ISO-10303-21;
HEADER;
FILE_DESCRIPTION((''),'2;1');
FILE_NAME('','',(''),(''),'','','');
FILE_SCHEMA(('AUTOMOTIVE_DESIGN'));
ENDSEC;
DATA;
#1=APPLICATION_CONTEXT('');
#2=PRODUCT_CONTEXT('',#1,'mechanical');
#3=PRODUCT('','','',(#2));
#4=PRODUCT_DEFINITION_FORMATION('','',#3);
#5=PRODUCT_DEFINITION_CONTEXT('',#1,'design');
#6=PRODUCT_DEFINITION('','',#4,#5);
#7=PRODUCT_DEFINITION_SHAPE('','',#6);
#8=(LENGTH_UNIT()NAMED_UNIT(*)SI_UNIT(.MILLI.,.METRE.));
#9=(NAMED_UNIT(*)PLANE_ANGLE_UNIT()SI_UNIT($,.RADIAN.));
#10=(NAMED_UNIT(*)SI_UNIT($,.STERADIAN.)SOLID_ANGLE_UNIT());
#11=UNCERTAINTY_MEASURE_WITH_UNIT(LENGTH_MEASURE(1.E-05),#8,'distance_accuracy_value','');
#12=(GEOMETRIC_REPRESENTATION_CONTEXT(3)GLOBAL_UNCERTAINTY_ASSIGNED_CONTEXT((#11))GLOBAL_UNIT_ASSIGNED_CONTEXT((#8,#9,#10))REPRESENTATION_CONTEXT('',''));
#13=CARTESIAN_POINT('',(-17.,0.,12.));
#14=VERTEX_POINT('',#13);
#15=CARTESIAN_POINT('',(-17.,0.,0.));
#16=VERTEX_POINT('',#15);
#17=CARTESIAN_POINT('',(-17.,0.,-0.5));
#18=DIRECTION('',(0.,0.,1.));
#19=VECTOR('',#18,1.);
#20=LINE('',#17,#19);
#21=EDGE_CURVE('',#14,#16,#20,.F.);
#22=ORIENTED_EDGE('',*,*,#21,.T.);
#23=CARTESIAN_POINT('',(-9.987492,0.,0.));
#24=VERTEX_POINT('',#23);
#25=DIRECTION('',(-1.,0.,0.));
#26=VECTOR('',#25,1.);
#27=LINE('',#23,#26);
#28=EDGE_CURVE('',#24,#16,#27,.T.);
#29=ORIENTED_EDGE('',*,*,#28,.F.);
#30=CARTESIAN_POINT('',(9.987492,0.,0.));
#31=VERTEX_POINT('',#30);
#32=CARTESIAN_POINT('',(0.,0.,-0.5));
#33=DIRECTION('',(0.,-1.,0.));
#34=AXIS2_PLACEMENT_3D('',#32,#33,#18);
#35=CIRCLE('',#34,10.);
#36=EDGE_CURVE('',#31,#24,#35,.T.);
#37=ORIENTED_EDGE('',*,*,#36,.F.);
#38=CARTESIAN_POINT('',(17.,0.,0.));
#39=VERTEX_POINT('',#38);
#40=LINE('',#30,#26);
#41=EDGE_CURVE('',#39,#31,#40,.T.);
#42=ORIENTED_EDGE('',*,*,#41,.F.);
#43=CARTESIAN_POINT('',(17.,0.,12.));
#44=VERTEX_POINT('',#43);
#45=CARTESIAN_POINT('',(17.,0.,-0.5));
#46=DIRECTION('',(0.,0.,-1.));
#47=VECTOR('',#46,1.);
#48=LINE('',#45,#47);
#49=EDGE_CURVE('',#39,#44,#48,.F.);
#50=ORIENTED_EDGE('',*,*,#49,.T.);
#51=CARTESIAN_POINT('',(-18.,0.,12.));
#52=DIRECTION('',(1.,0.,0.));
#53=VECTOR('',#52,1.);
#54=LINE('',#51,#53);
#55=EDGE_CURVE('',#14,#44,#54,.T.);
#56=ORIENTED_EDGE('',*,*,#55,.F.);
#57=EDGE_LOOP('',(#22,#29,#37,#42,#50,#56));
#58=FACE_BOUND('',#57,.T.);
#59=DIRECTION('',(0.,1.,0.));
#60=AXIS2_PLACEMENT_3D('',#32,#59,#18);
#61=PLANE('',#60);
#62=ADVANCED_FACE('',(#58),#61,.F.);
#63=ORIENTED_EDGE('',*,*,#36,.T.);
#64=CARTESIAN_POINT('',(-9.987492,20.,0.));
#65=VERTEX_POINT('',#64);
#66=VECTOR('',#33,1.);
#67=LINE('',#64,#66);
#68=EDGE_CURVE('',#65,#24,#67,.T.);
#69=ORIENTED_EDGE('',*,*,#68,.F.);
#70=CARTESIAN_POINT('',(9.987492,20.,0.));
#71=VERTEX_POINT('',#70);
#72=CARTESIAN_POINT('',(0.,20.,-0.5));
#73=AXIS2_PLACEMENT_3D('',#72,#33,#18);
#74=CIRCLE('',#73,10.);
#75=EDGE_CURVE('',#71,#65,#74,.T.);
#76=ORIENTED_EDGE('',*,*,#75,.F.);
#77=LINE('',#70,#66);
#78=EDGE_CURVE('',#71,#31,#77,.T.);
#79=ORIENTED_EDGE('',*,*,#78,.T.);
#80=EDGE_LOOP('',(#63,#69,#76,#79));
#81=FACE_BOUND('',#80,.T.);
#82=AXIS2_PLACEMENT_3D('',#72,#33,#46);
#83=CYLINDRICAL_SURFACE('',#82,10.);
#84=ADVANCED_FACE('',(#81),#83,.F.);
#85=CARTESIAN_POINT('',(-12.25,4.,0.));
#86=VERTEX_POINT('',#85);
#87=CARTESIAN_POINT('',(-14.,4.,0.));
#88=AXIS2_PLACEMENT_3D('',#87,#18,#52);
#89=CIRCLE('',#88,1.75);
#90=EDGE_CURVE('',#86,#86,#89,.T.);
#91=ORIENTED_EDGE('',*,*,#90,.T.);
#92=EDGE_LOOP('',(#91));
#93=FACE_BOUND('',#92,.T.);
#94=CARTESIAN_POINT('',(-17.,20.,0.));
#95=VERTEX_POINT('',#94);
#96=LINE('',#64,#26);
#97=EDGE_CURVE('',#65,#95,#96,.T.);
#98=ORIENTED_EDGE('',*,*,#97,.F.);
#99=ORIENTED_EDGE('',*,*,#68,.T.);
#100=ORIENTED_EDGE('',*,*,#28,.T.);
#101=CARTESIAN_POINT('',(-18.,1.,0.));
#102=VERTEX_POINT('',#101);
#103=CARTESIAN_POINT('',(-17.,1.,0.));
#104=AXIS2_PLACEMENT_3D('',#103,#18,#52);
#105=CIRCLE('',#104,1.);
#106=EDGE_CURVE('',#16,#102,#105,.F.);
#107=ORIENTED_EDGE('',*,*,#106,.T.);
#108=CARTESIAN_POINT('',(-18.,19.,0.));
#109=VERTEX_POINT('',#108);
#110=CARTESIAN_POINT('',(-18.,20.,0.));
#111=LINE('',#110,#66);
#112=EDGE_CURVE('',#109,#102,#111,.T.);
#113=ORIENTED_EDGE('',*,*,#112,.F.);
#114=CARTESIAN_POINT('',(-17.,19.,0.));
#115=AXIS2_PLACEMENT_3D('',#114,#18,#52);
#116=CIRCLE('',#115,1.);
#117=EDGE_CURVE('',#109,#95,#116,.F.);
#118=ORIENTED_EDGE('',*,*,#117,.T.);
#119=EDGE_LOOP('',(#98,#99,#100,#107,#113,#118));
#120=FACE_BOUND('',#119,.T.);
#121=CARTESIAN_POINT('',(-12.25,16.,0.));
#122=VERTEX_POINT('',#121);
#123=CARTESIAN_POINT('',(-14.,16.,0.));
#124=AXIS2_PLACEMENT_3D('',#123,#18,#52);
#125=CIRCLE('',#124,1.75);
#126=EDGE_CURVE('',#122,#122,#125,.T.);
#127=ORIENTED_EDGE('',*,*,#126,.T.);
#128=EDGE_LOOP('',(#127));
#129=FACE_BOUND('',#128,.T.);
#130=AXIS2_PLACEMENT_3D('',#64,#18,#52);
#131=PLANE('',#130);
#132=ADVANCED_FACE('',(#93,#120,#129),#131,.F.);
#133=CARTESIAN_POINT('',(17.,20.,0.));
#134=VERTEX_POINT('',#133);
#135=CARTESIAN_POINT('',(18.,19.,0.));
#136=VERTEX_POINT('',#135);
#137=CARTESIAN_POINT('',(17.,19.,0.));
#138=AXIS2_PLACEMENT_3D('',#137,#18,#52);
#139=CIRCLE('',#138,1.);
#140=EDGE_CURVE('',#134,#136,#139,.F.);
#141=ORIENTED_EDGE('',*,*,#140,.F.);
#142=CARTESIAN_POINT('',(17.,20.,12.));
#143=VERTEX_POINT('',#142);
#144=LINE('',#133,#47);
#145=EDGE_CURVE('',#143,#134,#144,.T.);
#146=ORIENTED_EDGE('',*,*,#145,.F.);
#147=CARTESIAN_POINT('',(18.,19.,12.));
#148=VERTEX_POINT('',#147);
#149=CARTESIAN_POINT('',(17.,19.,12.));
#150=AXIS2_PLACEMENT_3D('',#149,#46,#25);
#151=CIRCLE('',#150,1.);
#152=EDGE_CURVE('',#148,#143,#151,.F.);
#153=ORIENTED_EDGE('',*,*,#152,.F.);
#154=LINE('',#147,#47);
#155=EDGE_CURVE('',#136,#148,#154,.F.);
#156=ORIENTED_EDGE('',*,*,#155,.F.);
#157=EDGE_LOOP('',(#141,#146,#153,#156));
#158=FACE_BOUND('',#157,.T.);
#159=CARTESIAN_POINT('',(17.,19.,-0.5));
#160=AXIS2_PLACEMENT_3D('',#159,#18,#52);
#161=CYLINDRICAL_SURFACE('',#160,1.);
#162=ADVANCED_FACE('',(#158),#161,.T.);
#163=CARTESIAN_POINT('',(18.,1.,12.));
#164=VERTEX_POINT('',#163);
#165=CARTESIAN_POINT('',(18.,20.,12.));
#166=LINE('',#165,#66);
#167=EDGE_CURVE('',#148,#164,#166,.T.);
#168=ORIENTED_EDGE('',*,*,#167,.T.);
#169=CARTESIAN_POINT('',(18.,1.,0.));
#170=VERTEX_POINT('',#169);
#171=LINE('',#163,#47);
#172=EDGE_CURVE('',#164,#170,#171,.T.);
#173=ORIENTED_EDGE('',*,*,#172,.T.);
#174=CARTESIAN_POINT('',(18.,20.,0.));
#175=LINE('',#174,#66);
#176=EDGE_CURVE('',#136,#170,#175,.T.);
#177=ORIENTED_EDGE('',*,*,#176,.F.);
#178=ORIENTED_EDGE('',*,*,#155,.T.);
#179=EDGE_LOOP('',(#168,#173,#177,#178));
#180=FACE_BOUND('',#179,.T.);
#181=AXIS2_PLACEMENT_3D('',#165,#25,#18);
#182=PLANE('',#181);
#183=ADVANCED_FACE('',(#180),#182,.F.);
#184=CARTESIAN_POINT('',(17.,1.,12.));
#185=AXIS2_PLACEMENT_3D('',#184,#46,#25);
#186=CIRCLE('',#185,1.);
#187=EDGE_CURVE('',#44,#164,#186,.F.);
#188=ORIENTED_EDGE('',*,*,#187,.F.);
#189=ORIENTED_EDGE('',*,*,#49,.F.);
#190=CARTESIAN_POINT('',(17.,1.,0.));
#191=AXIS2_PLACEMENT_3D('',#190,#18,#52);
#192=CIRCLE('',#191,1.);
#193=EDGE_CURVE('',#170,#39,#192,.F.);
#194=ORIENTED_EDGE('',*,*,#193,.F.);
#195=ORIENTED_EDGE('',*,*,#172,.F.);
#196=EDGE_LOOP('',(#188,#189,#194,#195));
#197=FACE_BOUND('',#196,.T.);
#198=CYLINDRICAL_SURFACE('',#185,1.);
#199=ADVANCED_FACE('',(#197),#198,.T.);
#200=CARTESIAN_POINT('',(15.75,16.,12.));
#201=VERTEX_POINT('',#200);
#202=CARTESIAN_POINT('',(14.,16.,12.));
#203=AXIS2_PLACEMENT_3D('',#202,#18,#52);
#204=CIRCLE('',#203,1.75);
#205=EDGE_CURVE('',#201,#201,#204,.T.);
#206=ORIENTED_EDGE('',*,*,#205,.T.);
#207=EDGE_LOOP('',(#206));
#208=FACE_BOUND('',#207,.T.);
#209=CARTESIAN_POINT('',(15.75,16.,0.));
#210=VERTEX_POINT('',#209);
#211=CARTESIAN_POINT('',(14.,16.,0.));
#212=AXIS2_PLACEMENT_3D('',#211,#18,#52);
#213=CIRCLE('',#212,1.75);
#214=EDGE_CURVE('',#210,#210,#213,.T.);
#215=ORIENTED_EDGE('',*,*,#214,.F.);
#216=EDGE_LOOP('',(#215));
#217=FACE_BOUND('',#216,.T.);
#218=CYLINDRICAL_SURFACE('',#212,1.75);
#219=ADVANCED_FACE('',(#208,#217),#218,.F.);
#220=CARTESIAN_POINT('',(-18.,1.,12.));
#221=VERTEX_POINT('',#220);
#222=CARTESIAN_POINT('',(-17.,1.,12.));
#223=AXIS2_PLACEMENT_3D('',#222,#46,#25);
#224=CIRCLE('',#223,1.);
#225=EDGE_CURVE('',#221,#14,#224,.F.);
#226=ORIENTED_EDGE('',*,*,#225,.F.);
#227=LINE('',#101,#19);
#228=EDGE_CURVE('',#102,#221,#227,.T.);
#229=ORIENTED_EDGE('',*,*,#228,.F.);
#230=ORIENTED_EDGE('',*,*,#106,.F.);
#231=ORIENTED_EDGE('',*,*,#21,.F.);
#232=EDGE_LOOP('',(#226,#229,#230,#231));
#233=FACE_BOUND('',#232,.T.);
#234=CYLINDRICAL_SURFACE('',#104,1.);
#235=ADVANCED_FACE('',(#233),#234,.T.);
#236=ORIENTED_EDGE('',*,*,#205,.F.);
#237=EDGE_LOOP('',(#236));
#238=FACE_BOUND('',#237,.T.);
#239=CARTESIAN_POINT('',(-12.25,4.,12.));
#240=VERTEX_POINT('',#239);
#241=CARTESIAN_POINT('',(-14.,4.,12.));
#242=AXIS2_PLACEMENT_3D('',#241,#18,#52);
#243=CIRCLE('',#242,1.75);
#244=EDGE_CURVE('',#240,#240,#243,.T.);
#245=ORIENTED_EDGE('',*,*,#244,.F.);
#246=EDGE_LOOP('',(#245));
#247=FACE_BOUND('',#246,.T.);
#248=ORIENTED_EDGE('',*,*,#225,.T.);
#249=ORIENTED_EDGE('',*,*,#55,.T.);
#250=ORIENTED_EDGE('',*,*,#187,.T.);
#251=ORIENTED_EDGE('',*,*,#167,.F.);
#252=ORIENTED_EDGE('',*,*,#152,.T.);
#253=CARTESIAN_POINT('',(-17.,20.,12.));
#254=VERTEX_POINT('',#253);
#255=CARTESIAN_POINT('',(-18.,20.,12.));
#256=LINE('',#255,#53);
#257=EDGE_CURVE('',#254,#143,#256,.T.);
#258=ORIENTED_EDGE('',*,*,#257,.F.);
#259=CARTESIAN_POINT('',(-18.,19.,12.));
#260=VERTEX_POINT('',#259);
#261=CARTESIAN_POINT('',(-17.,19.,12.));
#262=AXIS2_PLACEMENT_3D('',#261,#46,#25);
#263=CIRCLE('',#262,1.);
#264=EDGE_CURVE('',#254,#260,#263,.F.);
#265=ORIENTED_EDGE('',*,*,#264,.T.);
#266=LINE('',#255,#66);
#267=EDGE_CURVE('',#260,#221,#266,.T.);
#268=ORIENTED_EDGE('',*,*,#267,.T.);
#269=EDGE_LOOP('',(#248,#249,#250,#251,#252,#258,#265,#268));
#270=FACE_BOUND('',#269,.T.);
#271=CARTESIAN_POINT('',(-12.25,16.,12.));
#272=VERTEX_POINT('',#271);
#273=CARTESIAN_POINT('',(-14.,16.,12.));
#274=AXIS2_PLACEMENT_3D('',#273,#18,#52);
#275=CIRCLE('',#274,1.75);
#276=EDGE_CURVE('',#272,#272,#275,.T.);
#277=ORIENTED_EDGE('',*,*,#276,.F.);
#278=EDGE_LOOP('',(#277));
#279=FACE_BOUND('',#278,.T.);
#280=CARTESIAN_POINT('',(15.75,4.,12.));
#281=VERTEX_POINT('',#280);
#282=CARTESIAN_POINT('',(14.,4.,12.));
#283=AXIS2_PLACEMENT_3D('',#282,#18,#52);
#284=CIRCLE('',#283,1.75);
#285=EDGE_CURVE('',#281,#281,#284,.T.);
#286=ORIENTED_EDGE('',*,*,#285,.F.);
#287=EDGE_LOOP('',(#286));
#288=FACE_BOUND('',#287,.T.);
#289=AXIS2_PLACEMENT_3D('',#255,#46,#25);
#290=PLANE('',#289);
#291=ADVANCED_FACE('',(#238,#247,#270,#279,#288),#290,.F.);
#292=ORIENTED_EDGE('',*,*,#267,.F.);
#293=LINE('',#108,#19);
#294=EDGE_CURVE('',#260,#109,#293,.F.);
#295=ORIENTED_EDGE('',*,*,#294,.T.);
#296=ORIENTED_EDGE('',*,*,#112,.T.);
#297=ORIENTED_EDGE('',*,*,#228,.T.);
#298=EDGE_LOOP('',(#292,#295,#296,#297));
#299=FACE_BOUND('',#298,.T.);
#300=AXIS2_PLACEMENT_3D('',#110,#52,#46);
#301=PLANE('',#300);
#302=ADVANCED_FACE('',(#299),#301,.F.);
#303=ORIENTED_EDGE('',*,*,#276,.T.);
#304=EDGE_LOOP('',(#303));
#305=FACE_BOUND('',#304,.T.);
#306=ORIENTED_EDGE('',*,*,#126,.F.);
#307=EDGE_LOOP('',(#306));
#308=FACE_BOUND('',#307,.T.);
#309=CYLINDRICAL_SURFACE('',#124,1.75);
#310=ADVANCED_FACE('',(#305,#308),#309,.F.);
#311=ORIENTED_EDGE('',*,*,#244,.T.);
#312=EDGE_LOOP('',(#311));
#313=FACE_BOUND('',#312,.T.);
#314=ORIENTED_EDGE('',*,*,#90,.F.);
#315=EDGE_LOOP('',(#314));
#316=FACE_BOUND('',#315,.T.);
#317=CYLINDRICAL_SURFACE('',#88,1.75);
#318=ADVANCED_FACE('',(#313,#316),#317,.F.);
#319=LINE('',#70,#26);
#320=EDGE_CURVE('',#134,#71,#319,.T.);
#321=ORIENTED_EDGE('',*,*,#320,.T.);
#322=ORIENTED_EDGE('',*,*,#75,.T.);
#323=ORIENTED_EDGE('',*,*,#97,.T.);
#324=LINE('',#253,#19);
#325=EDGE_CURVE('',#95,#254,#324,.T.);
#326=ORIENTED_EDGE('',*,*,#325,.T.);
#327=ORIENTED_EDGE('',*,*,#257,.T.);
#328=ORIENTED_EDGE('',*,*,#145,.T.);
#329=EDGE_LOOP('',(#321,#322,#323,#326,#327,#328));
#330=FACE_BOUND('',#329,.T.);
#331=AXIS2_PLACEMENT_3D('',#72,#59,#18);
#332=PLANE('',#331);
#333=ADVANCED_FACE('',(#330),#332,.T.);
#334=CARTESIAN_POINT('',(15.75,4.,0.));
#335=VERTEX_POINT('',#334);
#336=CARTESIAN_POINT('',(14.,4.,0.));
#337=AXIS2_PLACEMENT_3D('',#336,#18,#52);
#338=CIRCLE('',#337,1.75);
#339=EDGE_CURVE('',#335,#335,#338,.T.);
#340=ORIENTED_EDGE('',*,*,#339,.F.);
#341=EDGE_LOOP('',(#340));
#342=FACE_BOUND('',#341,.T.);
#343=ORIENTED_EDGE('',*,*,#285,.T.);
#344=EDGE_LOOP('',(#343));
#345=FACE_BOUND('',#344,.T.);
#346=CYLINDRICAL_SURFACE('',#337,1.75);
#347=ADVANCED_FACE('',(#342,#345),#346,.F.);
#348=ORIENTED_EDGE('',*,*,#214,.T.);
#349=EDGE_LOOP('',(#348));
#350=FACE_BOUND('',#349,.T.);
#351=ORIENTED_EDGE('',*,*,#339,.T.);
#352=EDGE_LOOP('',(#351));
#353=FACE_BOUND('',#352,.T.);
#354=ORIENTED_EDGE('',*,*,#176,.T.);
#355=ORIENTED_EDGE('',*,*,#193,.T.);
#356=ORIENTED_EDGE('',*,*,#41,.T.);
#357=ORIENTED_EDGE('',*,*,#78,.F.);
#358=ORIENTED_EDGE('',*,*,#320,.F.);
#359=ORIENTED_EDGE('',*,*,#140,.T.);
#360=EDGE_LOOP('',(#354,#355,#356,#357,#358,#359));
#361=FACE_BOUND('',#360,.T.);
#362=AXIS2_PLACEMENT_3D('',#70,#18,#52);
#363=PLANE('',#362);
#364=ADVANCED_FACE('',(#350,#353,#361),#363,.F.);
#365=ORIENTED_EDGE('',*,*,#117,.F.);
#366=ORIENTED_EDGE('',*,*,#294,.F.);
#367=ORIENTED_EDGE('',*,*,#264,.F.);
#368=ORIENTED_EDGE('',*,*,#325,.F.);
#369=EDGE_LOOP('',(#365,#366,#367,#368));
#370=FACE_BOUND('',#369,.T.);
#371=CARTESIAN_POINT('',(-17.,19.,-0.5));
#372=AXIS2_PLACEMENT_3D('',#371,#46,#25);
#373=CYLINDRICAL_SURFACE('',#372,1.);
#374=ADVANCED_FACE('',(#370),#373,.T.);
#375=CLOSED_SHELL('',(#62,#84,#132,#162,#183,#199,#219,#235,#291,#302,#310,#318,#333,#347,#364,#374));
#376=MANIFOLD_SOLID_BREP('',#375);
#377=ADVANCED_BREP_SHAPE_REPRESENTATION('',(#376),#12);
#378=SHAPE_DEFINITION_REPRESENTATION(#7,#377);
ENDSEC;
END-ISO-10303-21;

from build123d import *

# Parameters (mm, degrees)
BOSS_EXTRUDE1_DEPTH = 20
SKETCH2_R           = 1.75
CUT_EXTRUDE1_DEPTH  = 13
FILLET1_R           = 1


with BuildPart() as part:
    # Sketch1 → Boss-Extrude1 (new body)
    with BuildSketch(Plane(origin=(0, 0, 0), x_dir=(1, 0, 0), z_dir=(0, 1, 0))):
        with BuildLine():
            Line((-18, 0), (-18, -12))
            Line((-18, -12), (18, -12))
            Line((18, -12), (18, 0))
            Line((18, 0), (9.987492178, 0))
            ThreePointArc((9.987492178, 0), (0, -9.5), (-9.987492178, 0))
            Line((-9.987492178, 0), (-18, 0))
        make_face()
    extrude(amount=BOSS_EXTRUDE1_DEPTH)

    # Sketch2 → Cut-Extrude1 (cut, through all)
    with BuildSketch(Plane.XY.offset(12)):
        with Locations((-14, 16)):
            Circle(SKETCH2_R)
        with Locations((-14, 4)):
            Circle(SKETCH2_R)
        with Locations((14, 4)):
            Circle(SKETCH2_R)
        with Locations((14, 16)):
            Circle(SKETCH2_R)
    extrude(amount=-CUT_EXTRUDE1_DEPTH, mode=Mode.SUBTRACT)

    # Fillet1
    fillet1_edges = [part.edges().sort_by_distance(p)[0] for p in [
        (-18, 20, 6),
        (-18, 0, 6),
        (18, 0, 6),
        (18, 20, 6),
    ]]
    fillet(fillet1_edges, radius=FILLET1_R)


solid = part.part
